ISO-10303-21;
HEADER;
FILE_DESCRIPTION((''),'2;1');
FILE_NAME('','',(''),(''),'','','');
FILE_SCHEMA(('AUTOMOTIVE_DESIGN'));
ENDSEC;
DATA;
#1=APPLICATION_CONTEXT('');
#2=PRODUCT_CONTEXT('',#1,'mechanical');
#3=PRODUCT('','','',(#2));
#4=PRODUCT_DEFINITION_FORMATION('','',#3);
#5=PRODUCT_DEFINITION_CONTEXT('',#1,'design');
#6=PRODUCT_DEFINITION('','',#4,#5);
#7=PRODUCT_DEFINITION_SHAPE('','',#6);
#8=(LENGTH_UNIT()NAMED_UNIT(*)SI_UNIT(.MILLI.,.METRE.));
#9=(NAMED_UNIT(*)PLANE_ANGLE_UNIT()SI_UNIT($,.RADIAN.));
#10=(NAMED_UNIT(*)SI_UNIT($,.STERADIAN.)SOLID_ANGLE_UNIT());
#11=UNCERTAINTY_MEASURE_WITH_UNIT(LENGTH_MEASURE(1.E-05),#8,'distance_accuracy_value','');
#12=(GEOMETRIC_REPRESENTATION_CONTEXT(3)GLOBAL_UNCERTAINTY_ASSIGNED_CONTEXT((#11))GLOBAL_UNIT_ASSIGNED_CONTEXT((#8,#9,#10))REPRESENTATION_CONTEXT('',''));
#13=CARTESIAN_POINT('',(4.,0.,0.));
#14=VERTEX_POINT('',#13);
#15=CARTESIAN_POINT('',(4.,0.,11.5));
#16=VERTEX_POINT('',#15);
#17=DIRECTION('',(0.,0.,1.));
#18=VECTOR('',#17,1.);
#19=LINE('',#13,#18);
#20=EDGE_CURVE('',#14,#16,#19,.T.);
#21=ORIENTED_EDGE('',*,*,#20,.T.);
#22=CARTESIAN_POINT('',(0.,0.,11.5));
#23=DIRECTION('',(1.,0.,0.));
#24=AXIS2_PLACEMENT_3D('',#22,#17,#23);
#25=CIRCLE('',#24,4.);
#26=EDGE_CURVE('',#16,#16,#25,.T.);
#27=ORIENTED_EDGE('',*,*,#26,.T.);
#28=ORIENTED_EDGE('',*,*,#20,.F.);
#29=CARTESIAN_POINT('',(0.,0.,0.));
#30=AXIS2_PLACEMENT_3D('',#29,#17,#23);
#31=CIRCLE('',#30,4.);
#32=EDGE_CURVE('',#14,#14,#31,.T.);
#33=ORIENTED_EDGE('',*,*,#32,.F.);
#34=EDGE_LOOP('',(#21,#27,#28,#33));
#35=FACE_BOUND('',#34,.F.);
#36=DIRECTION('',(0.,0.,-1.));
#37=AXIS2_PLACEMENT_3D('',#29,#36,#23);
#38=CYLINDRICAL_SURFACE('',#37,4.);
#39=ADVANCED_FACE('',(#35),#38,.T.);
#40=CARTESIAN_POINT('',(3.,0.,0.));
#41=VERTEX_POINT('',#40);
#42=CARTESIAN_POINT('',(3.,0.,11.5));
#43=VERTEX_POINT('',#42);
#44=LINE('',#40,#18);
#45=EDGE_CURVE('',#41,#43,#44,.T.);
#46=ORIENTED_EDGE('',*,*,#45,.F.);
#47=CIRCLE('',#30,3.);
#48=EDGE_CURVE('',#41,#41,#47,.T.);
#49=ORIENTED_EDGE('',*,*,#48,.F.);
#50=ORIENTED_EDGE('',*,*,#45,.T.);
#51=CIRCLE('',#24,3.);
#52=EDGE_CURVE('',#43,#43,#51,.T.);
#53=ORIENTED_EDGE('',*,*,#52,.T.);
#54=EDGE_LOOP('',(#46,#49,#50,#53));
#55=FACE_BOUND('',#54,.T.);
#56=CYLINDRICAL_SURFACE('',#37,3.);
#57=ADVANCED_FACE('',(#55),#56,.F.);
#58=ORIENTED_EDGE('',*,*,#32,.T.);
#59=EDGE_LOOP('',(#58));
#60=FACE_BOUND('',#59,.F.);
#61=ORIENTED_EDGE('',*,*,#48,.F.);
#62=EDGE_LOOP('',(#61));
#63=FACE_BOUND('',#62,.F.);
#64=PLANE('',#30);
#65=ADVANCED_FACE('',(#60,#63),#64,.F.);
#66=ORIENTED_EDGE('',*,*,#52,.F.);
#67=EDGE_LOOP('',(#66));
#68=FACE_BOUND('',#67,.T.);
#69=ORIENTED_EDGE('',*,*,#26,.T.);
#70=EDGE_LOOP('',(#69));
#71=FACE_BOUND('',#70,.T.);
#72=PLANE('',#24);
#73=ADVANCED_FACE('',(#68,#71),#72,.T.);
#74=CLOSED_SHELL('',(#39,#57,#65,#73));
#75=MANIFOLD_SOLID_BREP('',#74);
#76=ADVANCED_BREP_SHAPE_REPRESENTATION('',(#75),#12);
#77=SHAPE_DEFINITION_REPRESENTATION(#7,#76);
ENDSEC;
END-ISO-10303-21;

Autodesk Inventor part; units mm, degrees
ref_plane "YZ Plane" through (0, 0, 0) normal (1, 0, 0) x (0, 1, 0)
ref_plane "XZ Plane" through (0, 0, 0) normal (0, 1, 0) x (-1, 0, 0)
ref_plane "XY Plane" through (0, 0, 0) normal (0, 0, 1) x (1, 0, 0)
sketch "Sketch1" plane through (0, 0, 0) normal (0, 0, 1) x (1, 0, 0)
  circle A0 centre (0, 0) radius 3
  circle A1 centre (0, 0) radius 4
  dimension "d0" = 6
  dimension "d1" = 8
extrude "Extrusion1" add sketch "Sketch1" along normal blind 11.5
properties part number "6mmTubingSealHousing"
